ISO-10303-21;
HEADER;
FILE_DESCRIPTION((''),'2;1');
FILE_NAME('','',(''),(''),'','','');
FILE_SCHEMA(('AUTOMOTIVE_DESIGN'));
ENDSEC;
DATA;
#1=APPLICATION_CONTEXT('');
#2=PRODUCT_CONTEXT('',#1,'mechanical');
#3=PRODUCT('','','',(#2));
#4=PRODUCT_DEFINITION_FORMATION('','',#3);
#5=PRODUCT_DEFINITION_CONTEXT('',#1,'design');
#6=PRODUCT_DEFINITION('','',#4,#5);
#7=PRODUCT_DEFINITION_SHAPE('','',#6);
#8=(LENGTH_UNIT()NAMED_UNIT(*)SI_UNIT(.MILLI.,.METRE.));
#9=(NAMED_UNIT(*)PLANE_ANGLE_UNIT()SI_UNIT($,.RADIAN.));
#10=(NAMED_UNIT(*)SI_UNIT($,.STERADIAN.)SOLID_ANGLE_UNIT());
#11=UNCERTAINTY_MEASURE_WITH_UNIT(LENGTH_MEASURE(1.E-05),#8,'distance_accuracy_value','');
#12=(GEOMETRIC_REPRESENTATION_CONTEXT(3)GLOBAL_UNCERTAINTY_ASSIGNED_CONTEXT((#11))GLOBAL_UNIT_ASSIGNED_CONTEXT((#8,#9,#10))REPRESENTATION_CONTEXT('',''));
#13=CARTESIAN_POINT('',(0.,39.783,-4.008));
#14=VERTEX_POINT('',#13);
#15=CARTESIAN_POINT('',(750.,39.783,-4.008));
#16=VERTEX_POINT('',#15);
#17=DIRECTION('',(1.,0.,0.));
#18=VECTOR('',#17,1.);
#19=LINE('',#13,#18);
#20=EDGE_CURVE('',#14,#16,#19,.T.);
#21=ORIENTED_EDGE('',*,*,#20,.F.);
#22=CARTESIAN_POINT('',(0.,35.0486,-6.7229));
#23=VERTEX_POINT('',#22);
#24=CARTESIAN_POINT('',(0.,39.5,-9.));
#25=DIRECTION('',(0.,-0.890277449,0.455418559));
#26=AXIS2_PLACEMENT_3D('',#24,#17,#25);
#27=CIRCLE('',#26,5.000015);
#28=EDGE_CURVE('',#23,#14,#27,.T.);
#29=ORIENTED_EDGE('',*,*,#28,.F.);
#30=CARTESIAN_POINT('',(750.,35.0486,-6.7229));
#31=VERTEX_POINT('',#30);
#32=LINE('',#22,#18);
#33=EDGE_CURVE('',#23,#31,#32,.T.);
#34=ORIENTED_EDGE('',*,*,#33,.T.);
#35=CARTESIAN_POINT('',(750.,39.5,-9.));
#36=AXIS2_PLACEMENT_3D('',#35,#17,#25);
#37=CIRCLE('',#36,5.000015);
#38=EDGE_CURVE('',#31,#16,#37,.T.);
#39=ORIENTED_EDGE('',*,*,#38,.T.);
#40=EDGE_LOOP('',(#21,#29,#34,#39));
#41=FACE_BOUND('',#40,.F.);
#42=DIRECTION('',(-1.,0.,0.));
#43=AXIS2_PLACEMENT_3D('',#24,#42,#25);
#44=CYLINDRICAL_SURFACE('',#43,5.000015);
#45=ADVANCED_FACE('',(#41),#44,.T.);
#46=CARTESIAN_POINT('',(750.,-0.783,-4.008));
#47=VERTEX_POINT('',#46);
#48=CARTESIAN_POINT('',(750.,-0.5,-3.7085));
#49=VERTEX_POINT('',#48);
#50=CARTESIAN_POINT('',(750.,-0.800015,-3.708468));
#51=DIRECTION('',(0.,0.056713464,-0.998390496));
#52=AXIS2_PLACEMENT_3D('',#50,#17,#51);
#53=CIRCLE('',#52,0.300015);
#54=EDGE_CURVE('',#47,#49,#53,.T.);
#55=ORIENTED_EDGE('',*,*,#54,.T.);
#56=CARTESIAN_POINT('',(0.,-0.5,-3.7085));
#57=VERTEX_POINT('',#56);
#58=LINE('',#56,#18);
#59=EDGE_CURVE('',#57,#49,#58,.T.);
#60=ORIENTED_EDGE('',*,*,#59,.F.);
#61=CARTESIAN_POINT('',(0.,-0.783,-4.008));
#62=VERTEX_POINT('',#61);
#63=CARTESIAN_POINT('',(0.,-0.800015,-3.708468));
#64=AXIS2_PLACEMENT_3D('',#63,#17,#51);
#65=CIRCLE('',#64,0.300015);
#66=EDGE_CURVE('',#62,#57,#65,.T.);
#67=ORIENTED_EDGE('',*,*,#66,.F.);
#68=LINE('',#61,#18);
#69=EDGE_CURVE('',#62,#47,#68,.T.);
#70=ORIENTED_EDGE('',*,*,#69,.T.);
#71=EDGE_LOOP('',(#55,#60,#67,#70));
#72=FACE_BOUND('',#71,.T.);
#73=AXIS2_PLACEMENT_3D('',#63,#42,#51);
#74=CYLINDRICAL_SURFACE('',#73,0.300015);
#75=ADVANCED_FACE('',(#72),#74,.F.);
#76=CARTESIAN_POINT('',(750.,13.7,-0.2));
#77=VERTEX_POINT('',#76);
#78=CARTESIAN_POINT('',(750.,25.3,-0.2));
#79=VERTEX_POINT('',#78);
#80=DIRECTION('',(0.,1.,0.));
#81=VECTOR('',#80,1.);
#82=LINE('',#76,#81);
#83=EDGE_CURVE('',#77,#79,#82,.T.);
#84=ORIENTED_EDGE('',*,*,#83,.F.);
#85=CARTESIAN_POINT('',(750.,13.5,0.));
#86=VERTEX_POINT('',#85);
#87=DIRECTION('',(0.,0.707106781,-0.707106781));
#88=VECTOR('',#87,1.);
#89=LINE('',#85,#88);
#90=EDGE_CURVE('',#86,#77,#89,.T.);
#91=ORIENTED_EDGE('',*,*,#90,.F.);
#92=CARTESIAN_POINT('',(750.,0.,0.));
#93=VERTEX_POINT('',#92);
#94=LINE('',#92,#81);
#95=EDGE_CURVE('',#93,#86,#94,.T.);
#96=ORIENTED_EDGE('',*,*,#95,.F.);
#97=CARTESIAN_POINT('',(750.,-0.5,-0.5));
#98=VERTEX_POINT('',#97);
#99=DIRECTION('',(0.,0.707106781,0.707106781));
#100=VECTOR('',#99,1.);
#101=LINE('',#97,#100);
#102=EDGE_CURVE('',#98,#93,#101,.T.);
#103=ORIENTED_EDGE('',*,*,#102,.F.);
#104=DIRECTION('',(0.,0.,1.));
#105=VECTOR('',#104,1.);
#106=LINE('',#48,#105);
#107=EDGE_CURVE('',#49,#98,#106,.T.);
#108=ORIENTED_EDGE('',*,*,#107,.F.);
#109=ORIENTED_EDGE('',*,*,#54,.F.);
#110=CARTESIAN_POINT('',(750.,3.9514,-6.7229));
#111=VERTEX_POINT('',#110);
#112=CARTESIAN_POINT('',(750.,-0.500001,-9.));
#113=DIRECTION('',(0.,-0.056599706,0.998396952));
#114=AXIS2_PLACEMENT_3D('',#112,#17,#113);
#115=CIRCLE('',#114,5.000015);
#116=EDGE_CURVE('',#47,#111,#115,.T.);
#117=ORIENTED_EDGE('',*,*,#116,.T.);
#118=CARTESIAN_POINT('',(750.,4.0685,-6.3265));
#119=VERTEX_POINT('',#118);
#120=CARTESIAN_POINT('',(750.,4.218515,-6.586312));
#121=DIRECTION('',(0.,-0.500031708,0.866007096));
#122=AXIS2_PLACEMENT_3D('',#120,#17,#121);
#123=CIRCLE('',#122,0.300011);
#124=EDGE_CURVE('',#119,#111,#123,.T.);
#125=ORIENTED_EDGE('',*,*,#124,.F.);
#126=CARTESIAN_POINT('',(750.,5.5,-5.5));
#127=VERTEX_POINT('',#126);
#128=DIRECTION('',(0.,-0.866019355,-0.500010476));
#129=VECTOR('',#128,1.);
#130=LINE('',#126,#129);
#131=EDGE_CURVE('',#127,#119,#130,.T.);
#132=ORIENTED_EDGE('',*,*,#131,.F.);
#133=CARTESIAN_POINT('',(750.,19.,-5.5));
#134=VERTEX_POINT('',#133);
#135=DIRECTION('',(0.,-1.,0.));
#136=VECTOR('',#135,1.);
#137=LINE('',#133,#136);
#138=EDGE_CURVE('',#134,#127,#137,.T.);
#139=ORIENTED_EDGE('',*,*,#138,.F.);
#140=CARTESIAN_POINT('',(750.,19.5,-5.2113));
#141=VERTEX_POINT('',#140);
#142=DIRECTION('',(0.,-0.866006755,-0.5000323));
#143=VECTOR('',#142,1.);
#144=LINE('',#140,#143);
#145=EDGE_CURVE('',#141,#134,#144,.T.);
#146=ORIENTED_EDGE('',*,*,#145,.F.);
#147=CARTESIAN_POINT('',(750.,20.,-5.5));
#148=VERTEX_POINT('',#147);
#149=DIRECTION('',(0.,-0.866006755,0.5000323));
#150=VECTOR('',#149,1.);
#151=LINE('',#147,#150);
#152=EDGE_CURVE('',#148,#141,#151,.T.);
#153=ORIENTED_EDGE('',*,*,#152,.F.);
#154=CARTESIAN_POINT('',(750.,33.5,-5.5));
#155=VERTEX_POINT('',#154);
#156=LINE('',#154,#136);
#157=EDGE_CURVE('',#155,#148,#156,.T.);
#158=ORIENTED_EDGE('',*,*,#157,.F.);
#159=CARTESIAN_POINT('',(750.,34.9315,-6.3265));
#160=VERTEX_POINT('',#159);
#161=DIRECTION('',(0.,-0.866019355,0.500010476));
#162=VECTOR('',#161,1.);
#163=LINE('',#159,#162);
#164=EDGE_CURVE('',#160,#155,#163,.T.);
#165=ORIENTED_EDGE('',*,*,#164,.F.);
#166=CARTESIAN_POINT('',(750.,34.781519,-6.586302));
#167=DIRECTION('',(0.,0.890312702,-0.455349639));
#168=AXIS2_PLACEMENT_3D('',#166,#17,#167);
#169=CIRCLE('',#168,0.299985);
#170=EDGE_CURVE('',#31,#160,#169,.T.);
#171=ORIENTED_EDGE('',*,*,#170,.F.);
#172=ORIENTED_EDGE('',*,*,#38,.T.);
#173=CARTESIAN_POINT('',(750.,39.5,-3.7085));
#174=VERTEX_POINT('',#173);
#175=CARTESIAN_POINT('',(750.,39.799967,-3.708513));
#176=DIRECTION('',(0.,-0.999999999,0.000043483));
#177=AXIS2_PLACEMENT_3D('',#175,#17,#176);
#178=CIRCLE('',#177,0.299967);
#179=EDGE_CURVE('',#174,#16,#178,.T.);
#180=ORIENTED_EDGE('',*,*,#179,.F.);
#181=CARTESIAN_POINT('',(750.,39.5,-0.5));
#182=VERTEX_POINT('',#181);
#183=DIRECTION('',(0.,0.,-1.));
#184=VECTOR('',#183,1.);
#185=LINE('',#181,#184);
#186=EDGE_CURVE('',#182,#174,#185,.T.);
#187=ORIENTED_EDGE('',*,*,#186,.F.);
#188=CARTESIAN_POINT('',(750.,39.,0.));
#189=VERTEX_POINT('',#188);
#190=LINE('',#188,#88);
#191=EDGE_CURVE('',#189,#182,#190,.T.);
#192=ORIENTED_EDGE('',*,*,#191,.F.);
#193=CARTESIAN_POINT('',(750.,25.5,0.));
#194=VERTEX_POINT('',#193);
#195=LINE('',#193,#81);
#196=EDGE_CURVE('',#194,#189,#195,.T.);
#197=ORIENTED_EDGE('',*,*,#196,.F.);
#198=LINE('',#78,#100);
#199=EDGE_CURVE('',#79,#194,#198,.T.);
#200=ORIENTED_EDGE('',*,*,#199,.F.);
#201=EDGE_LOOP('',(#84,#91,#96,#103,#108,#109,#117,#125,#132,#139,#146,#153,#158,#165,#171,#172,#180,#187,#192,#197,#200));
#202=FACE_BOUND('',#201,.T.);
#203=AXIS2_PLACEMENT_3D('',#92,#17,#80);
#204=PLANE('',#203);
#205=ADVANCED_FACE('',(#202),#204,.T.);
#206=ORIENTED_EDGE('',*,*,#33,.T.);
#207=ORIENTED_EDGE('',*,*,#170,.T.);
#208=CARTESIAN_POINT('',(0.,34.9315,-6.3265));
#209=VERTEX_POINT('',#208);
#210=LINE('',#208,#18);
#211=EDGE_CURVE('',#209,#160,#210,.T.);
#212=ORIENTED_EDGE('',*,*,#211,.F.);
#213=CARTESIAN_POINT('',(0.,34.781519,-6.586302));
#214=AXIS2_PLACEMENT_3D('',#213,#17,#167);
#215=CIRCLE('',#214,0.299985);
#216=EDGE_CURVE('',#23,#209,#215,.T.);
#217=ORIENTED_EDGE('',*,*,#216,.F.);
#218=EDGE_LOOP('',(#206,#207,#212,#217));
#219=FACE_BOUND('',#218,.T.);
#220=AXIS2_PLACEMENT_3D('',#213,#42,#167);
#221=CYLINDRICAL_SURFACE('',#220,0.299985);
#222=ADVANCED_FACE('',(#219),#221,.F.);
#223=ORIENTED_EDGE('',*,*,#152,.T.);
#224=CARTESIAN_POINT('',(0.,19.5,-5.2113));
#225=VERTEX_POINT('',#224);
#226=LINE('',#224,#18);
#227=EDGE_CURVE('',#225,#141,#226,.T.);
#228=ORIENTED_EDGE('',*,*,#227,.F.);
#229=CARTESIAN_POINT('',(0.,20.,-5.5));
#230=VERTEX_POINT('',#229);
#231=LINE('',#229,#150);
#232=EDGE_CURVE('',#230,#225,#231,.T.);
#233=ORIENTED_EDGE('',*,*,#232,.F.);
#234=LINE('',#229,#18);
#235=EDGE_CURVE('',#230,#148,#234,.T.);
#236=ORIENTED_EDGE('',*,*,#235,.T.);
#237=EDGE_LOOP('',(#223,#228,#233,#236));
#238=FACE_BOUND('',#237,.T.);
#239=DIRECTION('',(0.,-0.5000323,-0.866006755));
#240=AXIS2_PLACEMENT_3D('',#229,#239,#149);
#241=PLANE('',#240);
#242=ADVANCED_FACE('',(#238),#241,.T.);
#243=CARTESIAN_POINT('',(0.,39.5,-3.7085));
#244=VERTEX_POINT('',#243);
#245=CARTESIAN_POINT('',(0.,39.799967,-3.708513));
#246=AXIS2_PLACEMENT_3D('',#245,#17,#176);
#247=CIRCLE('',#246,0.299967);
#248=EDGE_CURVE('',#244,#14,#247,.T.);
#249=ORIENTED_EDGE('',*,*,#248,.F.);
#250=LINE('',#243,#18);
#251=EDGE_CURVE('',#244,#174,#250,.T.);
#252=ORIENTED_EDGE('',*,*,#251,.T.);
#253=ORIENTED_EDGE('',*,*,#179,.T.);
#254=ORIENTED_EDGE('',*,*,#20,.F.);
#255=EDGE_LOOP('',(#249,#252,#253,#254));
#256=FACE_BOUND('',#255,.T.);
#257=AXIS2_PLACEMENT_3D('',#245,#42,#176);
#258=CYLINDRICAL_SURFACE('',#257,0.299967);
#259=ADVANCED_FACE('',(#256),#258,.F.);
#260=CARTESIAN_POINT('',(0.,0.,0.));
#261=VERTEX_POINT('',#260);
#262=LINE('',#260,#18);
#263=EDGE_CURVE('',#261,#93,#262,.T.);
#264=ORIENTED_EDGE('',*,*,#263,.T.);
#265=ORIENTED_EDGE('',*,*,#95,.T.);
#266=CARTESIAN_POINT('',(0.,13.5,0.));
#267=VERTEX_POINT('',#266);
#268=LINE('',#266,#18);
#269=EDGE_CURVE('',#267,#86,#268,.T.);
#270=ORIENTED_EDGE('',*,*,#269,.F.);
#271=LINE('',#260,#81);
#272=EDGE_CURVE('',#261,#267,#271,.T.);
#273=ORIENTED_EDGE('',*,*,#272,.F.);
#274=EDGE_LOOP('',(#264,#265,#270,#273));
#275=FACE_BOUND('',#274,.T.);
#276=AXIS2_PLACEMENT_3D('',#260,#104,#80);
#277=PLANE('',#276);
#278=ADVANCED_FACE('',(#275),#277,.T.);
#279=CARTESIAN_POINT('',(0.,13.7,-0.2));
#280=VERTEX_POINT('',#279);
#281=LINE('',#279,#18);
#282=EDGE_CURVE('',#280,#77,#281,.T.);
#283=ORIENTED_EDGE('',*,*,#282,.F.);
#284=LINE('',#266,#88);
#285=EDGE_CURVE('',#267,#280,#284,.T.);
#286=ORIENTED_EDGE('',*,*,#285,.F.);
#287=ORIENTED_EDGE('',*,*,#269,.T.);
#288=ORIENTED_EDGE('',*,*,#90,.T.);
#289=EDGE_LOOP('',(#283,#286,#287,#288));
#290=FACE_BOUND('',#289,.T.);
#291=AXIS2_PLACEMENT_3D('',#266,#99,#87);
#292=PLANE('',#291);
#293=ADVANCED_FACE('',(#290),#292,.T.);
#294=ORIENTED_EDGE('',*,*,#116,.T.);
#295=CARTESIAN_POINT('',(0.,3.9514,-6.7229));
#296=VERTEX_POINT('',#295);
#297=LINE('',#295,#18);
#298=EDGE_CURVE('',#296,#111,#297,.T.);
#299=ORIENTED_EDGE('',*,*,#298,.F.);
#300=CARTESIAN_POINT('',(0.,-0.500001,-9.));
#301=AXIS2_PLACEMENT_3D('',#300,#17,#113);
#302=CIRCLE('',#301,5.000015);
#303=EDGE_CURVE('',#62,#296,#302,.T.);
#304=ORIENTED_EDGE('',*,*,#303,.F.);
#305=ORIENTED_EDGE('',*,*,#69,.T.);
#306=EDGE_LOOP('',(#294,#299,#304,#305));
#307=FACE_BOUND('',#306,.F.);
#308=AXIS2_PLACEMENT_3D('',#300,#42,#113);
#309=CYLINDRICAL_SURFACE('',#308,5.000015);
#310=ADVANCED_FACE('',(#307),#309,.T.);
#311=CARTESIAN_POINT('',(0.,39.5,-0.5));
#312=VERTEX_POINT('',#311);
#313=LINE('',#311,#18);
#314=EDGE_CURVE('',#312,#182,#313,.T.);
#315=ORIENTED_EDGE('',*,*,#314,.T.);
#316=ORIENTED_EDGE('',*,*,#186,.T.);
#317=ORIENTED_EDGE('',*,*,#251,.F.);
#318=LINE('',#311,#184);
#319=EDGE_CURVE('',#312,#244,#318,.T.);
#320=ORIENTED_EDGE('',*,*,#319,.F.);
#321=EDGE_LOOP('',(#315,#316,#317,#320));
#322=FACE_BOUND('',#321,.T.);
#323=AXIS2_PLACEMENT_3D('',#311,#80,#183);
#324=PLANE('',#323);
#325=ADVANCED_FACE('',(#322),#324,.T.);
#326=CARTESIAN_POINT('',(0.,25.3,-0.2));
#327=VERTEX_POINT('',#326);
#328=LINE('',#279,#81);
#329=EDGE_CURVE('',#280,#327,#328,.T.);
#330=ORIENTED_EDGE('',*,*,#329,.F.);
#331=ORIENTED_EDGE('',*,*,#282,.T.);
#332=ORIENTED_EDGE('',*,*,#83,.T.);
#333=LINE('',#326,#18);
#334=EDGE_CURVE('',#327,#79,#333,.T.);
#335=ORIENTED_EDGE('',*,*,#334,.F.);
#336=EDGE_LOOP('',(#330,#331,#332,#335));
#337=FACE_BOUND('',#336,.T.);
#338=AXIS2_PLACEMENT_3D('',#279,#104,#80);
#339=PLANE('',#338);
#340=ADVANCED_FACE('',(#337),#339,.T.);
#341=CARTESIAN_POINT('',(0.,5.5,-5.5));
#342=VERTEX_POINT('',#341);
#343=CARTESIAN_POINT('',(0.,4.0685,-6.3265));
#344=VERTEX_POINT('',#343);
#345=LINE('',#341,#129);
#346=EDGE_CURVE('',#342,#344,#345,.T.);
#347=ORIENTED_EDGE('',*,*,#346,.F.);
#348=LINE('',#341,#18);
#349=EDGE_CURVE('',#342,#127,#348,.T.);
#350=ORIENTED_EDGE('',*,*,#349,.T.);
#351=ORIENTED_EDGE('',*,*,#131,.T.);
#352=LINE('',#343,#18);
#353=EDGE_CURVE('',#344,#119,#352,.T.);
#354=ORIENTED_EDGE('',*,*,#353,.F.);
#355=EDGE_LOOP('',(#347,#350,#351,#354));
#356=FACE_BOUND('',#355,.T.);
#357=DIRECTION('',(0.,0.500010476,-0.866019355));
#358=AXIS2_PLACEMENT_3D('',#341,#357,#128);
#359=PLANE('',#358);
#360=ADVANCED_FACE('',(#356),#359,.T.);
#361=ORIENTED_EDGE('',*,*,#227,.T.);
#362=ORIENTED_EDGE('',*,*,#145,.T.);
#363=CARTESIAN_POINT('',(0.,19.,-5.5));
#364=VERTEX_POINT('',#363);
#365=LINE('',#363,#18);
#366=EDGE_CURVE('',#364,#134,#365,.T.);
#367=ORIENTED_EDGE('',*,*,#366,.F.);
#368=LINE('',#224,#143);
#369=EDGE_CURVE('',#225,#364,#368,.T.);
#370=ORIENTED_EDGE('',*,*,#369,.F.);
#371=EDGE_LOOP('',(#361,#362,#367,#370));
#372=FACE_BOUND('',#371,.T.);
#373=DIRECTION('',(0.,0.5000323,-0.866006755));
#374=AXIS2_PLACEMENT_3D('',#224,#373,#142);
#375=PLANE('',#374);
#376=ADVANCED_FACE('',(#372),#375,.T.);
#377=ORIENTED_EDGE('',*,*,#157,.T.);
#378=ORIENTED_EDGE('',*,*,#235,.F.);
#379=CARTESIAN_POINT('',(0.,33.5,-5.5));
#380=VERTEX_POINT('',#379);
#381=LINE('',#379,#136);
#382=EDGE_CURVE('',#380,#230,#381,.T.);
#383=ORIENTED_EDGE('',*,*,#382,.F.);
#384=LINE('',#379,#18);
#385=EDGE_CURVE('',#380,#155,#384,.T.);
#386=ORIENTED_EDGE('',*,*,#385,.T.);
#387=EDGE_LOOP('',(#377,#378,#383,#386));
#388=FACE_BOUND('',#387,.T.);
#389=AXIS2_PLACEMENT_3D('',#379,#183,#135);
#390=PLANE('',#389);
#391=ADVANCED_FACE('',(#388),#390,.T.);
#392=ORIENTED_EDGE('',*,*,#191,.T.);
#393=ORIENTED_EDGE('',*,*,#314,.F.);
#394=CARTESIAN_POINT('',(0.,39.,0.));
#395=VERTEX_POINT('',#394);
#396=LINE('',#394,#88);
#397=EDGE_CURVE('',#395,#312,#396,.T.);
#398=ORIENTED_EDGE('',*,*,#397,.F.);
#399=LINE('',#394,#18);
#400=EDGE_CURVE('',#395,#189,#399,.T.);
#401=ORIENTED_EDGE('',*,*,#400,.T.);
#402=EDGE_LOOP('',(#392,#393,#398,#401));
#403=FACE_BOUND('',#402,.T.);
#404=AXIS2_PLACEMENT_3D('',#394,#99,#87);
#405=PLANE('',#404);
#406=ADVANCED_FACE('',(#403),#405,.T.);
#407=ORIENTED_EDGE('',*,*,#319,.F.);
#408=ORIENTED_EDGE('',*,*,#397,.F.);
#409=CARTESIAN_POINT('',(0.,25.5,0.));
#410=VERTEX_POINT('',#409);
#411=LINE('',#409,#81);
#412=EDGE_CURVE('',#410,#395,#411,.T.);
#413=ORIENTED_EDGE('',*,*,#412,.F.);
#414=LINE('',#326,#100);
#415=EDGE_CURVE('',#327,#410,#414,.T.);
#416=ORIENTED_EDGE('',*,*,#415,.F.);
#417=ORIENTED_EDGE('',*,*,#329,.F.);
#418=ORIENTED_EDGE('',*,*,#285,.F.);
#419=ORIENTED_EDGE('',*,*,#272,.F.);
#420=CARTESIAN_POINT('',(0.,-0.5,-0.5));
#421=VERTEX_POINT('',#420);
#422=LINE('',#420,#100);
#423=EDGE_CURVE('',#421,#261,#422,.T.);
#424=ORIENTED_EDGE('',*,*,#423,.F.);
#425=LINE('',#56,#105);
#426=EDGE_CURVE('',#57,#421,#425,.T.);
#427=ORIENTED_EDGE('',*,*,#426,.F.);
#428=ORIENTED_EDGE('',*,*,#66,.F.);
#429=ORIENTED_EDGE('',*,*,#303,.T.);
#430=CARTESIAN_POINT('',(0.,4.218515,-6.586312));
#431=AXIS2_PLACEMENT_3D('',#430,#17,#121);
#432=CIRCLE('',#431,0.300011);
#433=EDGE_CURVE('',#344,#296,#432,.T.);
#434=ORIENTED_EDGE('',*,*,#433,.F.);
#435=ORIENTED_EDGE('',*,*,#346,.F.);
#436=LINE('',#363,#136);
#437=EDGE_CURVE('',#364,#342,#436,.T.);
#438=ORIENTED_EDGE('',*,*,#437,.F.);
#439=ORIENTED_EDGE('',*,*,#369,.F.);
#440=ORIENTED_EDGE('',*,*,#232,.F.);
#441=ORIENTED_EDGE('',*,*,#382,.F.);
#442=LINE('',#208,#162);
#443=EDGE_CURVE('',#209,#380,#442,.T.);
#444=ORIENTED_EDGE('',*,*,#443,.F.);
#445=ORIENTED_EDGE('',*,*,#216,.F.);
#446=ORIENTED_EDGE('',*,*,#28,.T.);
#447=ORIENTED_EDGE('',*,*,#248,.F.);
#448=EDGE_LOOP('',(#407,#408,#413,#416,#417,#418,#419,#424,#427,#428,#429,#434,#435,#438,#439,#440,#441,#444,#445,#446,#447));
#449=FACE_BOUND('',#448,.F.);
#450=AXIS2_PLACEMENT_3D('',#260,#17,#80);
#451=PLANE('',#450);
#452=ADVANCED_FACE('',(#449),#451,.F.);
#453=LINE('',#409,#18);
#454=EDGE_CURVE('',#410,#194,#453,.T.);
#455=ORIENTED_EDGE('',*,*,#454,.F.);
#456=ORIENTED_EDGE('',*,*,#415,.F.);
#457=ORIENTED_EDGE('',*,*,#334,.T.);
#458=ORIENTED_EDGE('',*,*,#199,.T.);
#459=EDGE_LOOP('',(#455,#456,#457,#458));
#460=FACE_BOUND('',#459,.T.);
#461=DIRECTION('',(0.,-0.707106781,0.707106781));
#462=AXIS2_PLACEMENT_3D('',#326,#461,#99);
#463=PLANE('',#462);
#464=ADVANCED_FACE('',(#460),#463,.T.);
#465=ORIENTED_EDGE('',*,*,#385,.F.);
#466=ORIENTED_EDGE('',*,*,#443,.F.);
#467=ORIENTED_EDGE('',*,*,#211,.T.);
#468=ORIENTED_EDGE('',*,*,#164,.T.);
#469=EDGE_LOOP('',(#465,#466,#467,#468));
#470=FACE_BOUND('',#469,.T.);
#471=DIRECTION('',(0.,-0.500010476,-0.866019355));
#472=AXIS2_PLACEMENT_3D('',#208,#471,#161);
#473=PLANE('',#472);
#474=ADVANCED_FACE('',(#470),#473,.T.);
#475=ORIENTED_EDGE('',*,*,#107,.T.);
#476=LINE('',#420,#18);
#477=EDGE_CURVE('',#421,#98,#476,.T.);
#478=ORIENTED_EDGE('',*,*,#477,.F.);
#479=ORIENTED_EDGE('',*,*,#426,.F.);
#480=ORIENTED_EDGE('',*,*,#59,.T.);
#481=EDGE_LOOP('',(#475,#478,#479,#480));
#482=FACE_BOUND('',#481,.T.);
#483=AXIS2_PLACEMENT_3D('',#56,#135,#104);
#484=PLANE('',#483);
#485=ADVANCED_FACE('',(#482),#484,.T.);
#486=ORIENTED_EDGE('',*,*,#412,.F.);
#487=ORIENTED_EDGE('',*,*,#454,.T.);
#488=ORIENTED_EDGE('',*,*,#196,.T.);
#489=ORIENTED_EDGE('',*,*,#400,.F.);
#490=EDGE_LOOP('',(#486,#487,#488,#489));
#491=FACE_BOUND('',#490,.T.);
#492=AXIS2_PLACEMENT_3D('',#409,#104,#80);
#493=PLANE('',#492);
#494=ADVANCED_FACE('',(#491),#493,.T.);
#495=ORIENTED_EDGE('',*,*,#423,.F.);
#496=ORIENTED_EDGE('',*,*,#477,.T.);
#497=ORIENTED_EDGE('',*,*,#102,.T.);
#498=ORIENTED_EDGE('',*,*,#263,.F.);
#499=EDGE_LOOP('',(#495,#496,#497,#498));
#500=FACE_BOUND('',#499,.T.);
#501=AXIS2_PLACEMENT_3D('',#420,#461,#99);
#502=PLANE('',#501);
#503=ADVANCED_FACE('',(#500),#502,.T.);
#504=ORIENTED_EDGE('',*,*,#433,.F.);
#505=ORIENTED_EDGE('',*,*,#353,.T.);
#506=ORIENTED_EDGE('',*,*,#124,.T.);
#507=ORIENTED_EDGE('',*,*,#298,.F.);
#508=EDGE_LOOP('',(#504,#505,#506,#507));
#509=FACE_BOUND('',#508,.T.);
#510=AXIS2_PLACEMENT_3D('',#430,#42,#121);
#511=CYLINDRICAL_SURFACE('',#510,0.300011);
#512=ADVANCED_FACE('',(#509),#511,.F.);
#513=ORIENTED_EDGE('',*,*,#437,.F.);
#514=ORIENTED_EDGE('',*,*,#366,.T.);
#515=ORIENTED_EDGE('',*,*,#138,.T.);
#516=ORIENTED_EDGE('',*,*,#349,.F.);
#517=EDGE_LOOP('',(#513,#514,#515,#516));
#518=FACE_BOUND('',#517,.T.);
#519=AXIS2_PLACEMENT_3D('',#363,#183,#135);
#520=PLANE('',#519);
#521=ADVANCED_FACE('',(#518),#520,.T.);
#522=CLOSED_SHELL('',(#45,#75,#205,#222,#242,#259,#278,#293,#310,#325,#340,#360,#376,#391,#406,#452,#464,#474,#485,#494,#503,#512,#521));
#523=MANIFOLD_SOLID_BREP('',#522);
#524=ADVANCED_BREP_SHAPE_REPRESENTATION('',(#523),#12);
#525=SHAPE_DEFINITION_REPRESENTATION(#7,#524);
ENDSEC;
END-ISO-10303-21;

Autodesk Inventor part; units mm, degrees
ref_plane "YZ Plane" through (0, 0, 0) normal (1, 0, 0) x (0, 1, 0)
ref_plane "XZ Plane" through (0, 0, 0) normal (0, 1, 0) x (-1, 0, 0)
ref_plane "XY Plane" through (0, 0, 0) normal (0, 0, 1) x (1, 0, 0)
sketch "Szkic1" plane through (0, 0, 0) normal (1, 0, 0) x (0, 1, 0)
  line L0 (13.7, -0.2) -> (25.3, -0.2)
  line L1 (13.5, 0) -> (13.7, -0.2)
  line L2 (0, 0) -> (13.5, 0)
  line L3 (-0.5, -0.5) -> (0, 0)
  line L4 (-0.5, -3.7085) -> (-0.5, -0.5)
  arc A0 (-0.783, -4.008) -> (-0.5, -3.7085) centre (-0.8, -3.7085) ccw
  arc A1 (-0.783, -4.008) -> (3.9514, -6.7229) centre (-0.5, -9) ccw
  arc A2 (4.0685, -6.3265) -> (3.9514, -6.7229) centre (4.2185, -6.5863) ccw
  line L5 (5.5, -5.5) -> (4.0685, -6.3265)
  line L6 (19, -5.5) -> (5.5, -5.5)
  line L7 (19.5, -5.2113) -> (19, -5.5)
  line L8 (20, -5.5) -> (19.5, -5.2113)
  line L9 (33.5, -5.5) -> (20, -5.5)
  line L10 (34.9315, -6.3265) -> (33.5, -5.5)
  arc A3 (35.0486, -6.7229) -> (34.9315, -6.3265) centre (34.7815, -6.5863) ccw
  arc A4 (35.0486, -6.7229) -> (39.783, -4.008) centre (39.5, -9) ccw
  arc A5 (39.5, -3.7085) -> (39.783, -4.008) centre (39.8, -3.7085) ccw
  line L11 (39.5, -0.5) -> (39.5, -3.7085)
  line L12 (39, 0) -> (39.5, -0.5)
  line L13 (25.5, 0) -> (39, 0)
  line L14 (25.3, -0.2) -> (25.5, 0)
  point P0 (19.5, 0)
extrude "Wyciągnięcie proste1" add sketch "Szkic1" along normal blind 750
properties part number "WS_10_40_X" material "Stal nierdzewna"
